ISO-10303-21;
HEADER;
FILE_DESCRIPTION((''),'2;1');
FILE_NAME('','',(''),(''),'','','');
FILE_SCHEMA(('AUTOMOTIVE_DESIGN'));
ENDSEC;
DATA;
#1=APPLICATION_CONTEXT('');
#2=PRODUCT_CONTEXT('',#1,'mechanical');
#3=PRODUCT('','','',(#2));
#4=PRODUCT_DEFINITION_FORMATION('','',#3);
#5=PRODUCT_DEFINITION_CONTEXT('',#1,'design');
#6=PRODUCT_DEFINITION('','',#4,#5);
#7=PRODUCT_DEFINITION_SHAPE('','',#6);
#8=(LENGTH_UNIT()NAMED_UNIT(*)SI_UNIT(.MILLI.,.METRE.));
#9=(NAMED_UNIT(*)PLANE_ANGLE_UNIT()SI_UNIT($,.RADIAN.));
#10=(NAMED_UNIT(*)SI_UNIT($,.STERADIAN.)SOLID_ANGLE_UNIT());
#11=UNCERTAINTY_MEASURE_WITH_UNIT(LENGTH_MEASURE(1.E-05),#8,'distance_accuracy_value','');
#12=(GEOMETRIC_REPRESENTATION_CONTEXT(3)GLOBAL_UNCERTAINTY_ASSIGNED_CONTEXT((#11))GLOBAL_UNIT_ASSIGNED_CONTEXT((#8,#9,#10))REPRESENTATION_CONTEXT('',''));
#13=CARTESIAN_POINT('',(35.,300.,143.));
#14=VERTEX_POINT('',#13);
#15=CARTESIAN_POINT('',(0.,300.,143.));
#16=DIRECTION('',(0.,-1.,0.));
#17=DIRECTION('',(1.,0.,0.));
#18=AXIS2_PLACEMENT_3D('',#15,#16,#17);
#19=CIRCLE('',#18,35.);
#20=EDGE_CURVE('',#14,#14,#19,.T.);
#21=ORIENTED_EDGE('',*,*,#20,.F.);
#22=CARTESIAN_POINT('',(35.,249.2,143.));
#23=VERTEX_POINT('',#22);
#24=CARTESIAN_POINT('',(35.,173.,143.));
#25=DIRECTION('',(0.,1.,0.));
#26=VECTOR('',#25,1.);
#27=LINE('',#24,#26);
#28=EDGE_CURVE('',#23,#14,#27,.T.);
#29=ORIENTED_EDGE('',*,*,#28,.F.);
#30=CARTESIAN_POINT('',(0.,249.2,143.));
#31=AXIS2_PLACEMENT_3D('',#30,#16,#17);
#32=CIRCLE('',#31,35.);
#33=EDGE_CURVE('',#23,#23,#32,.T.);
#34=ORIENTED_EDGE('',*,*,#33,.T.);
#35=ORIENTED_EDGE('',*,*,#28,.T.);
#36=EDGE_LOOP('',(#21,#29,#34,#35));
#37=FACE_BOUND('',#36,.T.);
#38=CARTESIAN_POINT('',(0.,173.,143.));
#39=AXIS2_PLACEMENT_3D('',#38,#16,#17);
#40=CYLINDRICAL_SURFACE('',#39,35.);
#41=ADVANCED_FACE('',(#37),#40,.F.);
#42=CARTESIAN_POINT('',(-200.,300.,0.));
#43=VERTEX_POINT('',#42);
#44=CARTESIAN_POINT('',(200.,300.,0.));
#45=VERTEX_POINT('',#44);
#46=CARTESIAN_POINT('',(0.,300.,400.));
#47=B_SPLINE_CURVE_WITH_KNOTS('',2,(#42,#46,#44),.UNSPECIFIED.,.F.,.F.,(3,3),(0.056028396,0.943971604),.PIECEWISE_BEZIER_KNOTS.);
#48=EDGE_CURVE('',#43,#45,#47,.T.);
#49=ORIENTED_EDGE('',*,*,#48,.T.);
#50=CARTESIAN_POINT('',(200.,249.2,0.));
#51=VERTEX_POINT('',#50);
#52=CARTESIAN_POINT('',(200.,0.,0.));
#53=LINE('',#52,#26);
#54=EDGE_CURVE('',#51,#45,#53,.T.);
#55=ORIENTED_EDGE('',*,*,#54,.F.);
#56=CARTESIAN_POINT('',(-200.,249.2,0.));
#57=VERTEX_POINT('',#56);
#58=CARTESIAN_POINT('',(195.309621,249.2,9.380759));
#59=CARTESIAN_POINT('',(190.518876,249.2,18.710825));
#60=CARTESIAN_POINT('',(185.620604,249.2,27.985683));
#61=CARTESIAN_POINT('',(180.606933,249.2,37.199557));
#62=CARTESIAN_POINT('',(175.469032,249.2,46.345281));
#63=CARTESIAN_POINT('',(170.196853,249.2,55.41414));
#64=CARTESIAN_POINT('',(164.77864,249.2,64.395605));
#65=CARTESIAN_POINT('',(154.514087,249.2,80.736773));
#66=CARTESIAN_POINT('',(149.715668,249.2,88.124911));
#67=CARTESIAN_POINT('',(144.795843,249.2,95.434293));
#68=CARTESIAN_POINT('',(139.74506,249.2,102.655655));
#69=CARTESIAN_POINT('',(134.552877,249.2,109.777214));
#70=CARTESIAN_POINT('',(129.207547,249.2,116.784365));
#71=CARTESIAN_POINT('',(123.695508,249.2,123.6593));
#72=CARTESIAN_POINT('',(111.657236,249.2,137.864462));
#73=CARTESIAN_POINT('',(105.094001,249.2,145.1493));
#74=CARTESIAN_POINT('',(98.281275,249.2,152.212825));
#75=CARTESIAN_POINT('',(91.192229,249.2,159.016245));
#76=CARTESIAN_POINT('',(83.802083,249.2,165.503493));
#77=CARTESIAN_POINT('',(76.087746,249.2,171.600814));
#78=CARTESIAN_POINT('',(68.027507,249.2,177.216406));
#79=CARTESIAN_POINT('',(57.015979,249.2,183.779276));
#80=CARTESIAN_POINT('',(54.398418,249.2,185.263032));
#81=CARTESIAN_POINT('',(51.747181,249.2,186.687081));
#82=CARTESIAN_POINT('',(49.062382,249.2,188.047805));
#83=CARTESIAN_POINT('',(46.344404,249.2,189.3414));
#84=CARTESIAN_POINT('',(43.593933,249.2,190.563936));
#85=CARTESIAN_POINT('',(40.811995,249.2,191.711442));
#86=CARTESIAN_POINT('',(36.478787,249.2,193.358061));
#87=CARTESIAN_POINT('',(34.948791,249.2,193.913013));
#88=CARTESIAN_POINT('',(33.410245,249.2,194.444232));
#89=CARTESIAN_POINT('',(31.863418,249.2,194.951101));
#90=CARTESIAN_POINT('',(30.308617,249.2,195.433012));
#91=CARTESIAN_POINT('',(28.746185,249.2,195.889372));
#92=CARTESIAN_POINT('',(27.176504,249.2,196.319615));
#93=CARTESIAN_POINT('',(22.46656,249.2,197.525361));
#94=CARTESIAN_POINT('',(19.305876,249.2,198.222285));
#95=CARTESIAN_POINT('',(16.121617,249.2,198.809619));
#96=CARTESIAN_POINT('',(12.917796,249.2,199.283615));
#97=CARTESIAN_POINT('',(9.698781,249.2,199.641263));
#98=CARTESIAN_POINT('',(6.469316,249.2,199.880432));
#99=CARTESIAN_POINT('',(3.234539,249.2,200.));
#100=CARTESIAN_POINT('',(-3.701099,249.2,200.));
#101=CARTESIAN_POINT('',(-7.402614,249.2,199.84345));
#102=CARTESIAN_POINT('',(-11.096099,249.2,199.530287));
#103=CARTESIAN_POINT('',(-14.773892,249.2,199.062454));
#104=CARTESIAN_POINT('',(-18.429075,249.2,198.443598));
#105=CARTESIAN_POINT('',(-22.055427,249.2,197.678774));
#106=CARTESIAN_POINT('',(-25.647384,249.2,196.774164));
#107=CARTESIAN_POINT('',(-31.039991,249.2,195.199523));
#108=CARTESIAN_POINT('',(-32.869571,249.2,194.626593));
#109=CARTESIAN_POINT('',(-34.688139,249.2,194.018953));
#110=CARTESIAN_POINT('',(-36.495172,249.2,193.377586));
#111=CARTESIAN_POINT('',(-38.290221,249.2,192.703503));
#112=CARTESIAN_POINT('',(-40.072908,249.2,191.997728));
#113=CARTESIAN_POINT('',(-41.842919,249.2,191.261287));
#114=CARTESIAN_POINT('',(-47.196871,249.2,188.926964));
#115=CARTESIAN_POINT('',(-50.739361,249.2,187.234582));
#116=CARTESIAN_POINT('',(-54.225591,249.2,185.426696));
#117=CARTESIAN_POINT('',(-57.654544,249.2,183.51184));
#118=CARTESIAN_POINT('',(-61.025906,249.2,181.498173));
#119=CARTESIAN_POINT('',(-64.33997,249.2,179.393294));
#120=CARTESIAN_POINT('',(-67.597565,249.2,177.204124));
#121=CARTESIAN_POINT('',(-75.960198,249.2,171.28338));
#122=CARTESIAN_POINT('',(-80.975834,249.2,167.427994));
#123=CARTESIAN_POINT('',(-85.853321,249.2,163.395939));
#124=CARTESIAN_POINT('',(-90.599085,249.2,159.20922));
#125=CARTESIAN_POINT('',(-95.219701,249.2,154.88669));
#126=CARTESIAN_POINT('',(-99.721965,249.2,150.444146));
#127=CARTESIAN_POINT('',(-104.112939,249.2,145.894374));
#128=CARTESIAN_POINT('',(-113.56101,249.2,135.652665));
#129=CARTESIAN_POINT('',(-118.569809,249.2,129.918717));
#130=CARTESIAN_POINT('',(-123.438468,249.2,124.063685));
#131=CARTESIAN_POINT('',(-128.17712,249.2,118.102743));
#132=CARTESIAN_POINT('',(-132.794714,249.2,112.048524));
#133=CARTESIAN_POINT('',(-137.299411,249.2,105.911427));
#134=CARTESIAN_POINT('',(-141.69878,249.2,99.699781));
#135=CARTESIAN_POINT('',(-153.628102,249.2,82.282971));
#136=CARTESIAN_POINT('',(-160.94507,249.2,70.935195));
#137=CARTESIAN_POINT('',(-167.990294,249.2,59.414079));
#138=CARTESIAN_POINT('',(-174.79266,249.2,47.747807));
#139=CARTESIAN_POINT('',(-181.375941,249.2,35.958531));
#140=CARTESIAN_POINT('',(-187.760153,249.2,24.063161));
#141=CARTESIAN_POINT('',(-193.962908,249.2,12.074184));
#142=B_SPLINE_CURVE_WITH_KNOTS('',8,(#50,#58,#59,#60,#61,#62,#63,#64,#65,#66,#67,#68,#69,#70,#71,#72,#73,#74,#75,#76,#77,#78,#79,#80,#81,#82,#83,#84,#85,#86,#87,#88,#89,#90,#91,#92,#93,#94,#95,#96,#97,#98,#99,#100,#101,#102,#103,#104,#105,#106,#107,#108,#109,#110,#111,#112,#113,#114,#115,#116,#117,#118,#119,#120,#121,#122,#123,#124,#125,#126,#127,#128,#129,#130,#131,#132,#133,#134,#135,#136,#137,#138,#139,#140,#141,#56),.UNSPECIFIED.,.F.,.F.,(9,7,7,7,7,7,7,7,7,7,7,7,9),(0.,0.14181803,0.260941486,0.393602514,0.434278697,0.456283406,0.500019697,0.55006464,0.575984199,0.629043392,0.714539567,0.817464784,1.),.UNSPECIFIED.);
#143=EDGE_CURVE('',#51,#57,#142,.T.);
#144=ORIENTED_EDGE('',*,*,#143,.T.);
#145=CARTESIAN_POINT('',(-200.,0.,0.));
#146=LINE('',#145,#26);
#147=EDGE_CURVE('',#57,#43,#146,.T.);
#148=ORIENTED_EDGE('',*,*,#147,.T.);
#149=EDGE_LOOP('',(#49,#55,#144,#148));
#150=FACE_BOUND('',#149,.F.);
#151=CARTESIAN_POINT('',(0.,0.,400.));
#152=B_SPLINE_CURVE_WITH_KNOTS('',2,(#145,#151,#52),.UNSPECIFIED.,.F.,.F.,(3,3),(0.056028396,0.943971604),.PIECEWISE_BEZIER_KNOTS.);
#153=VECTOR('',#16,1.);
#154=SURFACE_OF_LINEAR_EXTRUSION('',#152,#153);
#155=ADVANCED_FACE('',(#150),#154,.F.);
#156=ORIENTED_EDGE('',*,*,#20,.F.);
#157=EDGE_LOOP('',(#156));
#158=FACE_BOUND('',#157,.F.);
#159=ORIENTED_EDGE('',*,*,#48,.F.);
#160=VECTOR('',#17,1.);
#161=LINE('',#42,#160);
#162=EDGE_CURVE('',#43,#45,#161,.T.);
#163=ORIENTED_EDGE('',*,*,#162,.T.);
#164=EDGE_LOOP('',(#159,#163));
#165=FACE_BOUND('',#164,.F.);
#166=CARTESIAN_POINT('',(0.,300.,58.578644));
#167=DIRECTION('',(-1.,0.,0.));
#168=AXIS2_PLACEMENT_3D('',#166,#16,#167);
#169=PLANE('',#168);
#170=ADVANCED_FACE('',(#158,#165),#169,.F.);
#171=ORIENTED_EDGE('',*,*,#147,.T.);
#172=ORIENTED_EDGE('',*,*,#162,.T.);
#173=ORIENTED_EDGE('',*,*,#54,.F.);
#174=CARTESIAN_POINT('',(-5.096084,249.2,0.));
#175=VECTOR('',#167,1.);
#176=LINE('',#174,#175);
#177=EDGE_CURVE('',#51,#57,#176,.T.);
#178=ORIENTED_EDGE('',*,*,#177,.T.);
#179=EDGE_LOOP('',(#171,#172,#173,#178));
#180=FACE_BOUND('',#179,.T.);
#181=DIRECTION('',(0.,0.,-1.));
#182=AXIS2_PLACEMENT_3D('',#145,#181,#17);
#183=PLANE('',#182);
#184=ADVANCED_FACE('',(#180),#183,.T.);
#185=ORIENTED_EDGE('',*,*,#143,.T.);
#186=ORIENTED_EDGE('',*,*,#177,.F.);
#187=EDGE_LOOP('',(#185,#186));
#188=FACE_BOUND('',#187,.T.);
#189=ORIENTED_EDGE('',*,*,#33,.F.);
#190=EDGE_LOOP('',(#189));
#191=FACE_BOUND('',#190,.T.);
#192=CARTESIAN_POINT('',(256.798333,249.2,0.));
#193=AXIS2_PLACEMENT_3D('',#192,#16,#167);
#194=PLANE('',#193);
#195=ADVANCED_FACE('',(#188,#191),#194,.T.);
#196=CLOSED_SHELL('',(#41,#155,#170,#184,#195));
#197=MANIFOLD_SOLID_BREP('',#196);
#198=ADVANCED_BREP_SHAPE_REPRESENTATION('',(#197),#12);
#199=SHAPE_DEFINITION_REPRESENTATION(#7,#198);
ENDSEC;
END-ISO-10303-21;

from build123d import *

# Parameters (mm, degrees)
BOSS_EXTRUDE1_DEPTH     = 300
SKETCH3_R               = 15.5
CUT_EXTRUDE1_DEPTH      = 23
CUT_EXTRUDE1_DEPTH_BACK = 23
SKETCH4_R               = 35
CUT_EXTRUDE3_DEPTH      = 300
SKETCH5_W               = 523.788834898
SKETCH5_H               = 264.11010626
CUT_EXTRUDE4_DEPTH      = 300


with BuildPart() as part:
    # Sketch1 → Boss-Extrude1 (new body)
    with BuildSketch(Plane(origin=(0, 0, 0), x_dir=(1, 0, 0), z_dir=(0, 1, 0))):
        with BuildLine():
            Line((-200, 1e-09), (200, 1e-09))
            add(Edge.make_bspline(
                [(-200, 1e-09), (0, -400.000000001), (200, 1e-09)],
                knots=[0.056028396, 0.056028396, 0.056028396, 0.943971604, 0.943971604, 0.943971604], degree=2))
        make_face()
    extrude(amount=BOSS_EXTRUDE1_DEPTH)

    # Sketch3 → Cut-Extrude1 (cut, two sides)
    with BuildSketch(Plane(origin=(0, 150, 0), x_dir=(1, 0, 0), z_dir=(0, 1, 0))) as cut_extrude1_sk:
        with Locations((0, -142.999999999)):
            Circle(SKETCH3_R)
    extrude(amount=CUT_EXTRUDE1_DEPTH, mode=Mode.SUBTRACT)
    extrude(cut_extrude1_sk.sketch, amount=-CUT_EXTRUDE1_DEPTH_BACK, mode=Mode.SUBTRACT)

    # Sketch4 → Cut-Extrude3 (cut)
    with BuildSketch(Plane(origin=(0, 173, 0), x_dir=(1, 0, 0), z_dir=(0, 1, 0))):
        with Locations((0, -142.999999999)):
            Circle(SKETCH4_R)
    cut_extrude3 = extrude(amount=CUT_EXTRUDE3_DEPTH, mode=Mode.SUBTRACT)

    # Mirror1: Cut-Extrude3 across plane
    add(cut_extrude3.mirror(Plane.ZX.offset(150)), mode=Mode.SUBTRACT)

    # Sketch5 → Cut-Extrude4 (cut)
    with BuildSketch(Plane(origin=(0, 0, 0), x_dir=(-1, 0, 0), z_dir=(0, 0, -1))):
        with Locations((5.096084265, 117.14494687)):
            Rectangle(SKETCH5_W, SKETCH5_H)
    extrude(amount=-CUT_EXTRUDE4_DEPTH, mode=Mode.SUBTRACT)


solid = part.part
